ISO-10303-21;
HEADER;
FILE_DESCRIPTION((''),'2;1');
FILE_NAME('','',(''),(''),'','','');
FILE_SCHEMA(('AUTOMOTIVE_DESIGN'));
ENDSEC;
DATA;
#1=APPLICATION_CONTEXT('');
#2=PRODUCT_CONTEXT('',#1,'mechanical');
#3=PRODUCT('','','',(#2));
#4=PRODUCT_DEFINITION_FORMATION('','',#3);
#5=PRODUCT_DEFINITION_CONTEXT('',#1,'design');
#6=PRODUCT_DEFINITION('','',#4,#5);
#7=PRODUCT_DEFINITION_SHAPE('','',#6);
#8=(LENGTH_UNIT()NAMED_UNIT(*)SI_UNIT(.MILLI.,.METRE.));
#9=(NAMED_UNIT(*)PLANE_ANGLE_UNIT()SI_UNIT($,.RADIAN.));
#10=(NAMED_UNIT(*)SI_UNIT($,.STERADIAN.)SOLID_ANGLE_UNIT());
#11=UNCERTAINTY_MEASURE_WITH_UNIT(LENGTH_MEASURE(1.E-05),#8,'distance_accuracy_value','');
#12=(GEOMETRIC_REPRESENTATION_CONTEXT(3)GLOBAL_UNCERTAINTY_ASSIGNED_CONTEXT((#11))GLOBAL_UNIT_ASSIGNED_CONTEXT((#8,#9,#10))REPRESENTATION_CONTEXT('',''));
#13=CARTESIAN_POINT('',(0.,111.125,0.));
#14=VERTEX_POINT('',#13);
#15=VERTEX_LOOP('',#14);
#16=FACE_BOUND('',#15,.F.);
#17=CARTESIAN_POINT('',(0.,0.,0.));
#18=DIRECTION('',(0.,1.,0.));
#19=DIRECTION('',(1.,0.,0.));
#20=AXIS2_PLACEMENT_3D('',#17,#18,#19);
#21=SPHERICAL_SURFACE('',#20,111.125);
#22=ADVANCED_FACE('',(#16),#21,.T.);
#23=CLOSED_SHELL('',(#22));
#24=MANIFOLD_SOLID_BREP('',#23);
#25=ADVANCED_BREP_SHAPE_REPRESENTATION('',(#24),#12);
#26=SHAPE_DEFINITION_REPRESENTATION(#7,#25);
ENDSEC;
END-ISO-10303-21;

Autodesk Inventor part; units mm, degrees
ref_plane "YZ Plane" through (0, 0, 0) normal (1, 0, 0) x (0, 1, 0)
ref_plane "XZ Plane" through (0, 0, 0) normal (0, 1, 0) x (-1, 0, 0)
ref_plane "XY Plane" through (0, 0, 0) normal (0, 0, 1) x (1, 0, 0)
sketch "Sketch1" plane through (0, 0, 0) normal (0, 0, 1) x (1, 0, 0)
  arc A0 (0, -111.125) -> (0, 111.125) centre (0, 0) ccw
  line L0 (0, 111.125) -> (0, -111.125)
  dimension "d0" = 222.25
revolve "Revolution1" add sketch "Sketch1" angle 360 about axis through (0, 111.125, 0) along (0, -1, 0)
properties part number "FRC 2010 Ball"
